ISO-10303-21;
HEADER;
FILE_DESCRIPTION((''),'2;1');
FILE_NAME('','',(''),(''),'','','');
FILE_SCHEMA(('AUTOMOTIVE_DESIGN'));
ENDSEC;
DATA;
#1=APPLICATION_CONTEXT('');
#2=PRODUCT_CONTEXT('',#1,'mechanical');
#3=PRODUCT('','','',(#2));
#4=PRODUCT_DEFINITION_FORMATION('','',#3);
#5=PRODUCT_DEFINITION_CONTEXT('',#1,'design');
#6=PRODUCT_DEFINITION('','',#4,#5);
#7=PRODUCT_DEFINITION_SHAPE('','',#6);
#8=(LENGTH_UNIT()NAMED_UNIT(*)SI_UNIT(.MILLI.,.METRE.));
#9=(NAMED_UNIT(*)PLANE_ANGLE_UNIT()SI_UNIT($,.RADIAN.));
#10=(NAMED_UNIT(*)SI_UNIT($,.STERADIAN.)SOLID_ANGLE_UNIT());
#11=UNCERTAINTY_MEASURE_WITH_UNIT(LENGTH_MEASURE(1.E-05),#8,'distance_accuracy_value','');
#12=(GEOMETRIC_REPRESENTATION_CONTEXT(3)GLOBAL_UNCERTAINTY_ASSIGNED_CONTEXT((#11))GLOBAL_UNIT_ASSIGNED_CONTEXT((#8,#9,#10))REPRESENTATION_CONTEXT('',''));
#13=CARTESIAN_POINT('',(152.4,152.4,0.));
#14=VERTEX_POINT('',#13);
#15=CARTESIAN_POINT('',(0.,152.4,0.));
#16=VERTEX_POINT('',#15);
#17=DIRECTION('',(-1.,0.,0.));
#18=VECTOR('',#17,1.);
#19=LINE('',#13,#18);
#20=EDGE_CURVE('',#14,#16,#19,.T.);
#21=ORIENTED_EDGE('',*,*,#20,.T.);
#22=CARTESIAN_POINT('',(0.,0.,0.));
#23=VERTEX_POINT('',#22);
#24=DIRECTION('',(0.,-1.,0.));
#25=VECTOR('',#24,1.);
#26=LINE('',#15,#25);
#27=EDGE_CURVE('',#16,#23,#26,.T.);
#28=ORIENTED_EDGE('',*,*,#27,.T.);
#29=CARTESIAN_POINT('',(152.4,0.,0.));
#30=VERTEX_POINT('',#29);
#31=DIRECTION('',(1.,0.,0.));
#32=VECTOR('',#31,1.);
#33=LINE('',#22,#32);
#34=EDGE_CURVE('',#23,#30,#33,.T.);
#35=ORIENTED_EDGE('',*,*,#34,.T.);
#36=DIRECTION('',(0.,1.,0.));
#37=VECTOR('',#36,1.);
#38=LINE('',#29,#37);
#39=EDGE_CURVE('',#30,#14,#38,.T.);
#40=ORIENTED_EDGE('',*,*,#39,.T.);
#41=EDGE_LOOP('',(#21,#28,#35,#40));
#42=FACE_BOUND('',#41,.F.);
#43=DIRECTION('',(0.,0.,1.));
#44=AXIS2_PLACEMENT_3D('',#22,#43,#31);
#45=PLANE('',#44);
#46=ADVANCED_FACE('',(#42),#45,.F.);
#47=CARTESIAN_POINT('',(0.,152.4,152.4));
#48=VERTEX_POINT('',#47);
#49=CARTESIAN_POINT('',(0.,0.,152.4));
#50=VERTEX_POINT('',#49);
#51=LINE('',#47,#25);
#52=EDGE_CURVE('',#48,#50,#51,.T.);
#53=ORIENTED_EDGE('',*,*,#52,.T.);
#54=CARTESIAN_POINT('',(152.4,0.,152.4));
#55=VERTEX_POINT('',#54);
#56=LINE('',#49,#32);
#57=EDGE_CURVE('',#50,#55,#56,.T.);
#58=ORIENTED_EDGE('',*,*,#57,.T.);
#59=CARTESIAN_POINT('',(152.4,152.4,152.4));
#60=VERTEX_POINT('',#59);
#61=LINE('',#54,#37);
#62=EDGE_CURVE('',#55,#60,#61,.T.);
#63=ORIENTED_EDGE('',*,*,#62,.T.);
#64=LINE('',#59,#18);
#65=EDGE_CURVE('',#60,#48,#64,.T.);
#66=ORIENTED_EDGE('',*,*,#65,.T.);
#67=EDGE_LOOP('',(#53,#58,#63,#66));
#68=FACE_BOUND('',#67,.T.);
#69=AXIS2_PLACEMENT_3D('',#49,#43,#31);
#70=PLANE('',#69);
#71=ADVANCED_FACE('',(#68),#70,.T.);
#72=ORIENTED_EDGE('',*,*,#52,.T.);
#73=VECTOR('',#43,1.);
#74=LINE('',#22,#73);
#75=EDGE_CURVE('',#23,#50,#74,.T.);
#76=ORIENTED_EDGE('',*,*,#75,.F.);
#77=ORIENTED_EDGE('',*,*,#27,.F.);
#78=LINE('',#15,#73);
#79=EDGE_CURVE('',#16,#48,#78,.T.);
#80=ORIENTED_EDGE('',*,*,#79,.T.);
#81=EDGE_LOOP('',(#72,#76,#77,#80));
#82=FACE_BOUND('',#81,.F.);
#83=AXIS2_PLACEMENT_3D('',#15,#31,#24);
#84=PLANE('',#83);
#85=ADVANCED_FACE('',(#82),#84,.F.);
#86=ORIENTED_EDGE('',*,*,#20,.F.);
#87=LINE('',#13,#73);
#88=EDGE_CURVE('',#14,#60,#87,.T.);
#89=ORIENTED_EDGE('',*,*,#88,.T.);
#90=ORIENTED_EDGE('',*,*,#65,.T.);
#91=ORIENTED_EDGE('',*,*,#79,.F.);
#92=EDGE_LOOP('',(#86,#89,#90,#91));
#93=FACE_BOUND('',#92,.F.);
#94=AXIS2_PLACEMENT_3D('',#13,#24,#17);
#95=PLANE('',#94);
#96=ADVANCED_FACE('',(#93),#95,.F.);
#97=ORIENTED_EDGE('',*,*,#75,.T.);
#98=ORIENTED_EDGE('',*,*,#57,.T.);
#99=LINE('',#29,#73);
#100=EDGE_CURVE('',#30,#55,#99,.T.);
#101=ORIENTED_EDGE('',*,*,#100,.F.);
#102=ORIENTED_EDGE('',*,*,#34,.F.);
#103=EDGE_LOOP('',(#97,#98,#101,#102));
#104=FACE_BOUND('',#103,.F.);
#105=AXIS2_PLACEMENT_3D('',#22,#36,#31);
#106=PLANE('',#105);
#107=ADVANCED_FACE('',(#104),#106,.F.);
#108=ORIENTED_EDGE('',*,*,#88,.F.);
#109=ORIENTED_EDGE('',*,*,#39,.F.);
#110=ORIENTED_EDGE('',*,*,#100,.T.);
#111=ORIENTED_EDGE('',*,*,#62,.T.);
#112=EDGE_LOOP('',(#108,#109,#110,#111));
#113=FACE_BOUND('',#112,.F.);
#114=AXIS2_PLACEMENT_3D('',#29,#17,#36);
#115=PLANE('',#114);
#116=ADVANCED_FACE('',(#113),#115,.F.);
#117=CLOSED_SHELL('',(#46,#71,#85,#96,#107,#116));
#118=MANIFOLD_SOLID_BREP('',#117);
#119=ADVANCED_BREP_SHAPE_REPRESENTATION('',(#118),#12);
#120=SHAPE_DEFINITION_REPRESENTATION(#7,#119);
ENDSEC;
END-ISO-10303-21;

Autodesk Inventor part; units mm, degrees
ref_plane "YZ Plane" through (0, 0, 0) normal (1, 0, 0) x (0, 1, 0)
ref_plane "XZ Plane" through (0, 0, 0) normal (0, 1, 0) x (-1, 0, 0)
ref_plane "XY Plane" through (0, 0, 0) normal (0, 0, 1) x (1, 0, 0)
sketch "Sketch1" plane through (0, 0, 0) normal (0, 0, 1) x (1, 0, 0)
  line L0 (0, 0) -> (152.4, 0)
  line L1 (152.4, 0) -> (152.4, 152.4)
  line L2 (152.4, 152.4) -> (0, 152.4)
  line L3 (0, 152.4) -> (0, 0)
  dimension "d0" = 152.4
  dimension "d1" = 152.4
extrude "Extrusion1" add sketch "Sketch1" along normal blind 152.4
properties part number "cube"
